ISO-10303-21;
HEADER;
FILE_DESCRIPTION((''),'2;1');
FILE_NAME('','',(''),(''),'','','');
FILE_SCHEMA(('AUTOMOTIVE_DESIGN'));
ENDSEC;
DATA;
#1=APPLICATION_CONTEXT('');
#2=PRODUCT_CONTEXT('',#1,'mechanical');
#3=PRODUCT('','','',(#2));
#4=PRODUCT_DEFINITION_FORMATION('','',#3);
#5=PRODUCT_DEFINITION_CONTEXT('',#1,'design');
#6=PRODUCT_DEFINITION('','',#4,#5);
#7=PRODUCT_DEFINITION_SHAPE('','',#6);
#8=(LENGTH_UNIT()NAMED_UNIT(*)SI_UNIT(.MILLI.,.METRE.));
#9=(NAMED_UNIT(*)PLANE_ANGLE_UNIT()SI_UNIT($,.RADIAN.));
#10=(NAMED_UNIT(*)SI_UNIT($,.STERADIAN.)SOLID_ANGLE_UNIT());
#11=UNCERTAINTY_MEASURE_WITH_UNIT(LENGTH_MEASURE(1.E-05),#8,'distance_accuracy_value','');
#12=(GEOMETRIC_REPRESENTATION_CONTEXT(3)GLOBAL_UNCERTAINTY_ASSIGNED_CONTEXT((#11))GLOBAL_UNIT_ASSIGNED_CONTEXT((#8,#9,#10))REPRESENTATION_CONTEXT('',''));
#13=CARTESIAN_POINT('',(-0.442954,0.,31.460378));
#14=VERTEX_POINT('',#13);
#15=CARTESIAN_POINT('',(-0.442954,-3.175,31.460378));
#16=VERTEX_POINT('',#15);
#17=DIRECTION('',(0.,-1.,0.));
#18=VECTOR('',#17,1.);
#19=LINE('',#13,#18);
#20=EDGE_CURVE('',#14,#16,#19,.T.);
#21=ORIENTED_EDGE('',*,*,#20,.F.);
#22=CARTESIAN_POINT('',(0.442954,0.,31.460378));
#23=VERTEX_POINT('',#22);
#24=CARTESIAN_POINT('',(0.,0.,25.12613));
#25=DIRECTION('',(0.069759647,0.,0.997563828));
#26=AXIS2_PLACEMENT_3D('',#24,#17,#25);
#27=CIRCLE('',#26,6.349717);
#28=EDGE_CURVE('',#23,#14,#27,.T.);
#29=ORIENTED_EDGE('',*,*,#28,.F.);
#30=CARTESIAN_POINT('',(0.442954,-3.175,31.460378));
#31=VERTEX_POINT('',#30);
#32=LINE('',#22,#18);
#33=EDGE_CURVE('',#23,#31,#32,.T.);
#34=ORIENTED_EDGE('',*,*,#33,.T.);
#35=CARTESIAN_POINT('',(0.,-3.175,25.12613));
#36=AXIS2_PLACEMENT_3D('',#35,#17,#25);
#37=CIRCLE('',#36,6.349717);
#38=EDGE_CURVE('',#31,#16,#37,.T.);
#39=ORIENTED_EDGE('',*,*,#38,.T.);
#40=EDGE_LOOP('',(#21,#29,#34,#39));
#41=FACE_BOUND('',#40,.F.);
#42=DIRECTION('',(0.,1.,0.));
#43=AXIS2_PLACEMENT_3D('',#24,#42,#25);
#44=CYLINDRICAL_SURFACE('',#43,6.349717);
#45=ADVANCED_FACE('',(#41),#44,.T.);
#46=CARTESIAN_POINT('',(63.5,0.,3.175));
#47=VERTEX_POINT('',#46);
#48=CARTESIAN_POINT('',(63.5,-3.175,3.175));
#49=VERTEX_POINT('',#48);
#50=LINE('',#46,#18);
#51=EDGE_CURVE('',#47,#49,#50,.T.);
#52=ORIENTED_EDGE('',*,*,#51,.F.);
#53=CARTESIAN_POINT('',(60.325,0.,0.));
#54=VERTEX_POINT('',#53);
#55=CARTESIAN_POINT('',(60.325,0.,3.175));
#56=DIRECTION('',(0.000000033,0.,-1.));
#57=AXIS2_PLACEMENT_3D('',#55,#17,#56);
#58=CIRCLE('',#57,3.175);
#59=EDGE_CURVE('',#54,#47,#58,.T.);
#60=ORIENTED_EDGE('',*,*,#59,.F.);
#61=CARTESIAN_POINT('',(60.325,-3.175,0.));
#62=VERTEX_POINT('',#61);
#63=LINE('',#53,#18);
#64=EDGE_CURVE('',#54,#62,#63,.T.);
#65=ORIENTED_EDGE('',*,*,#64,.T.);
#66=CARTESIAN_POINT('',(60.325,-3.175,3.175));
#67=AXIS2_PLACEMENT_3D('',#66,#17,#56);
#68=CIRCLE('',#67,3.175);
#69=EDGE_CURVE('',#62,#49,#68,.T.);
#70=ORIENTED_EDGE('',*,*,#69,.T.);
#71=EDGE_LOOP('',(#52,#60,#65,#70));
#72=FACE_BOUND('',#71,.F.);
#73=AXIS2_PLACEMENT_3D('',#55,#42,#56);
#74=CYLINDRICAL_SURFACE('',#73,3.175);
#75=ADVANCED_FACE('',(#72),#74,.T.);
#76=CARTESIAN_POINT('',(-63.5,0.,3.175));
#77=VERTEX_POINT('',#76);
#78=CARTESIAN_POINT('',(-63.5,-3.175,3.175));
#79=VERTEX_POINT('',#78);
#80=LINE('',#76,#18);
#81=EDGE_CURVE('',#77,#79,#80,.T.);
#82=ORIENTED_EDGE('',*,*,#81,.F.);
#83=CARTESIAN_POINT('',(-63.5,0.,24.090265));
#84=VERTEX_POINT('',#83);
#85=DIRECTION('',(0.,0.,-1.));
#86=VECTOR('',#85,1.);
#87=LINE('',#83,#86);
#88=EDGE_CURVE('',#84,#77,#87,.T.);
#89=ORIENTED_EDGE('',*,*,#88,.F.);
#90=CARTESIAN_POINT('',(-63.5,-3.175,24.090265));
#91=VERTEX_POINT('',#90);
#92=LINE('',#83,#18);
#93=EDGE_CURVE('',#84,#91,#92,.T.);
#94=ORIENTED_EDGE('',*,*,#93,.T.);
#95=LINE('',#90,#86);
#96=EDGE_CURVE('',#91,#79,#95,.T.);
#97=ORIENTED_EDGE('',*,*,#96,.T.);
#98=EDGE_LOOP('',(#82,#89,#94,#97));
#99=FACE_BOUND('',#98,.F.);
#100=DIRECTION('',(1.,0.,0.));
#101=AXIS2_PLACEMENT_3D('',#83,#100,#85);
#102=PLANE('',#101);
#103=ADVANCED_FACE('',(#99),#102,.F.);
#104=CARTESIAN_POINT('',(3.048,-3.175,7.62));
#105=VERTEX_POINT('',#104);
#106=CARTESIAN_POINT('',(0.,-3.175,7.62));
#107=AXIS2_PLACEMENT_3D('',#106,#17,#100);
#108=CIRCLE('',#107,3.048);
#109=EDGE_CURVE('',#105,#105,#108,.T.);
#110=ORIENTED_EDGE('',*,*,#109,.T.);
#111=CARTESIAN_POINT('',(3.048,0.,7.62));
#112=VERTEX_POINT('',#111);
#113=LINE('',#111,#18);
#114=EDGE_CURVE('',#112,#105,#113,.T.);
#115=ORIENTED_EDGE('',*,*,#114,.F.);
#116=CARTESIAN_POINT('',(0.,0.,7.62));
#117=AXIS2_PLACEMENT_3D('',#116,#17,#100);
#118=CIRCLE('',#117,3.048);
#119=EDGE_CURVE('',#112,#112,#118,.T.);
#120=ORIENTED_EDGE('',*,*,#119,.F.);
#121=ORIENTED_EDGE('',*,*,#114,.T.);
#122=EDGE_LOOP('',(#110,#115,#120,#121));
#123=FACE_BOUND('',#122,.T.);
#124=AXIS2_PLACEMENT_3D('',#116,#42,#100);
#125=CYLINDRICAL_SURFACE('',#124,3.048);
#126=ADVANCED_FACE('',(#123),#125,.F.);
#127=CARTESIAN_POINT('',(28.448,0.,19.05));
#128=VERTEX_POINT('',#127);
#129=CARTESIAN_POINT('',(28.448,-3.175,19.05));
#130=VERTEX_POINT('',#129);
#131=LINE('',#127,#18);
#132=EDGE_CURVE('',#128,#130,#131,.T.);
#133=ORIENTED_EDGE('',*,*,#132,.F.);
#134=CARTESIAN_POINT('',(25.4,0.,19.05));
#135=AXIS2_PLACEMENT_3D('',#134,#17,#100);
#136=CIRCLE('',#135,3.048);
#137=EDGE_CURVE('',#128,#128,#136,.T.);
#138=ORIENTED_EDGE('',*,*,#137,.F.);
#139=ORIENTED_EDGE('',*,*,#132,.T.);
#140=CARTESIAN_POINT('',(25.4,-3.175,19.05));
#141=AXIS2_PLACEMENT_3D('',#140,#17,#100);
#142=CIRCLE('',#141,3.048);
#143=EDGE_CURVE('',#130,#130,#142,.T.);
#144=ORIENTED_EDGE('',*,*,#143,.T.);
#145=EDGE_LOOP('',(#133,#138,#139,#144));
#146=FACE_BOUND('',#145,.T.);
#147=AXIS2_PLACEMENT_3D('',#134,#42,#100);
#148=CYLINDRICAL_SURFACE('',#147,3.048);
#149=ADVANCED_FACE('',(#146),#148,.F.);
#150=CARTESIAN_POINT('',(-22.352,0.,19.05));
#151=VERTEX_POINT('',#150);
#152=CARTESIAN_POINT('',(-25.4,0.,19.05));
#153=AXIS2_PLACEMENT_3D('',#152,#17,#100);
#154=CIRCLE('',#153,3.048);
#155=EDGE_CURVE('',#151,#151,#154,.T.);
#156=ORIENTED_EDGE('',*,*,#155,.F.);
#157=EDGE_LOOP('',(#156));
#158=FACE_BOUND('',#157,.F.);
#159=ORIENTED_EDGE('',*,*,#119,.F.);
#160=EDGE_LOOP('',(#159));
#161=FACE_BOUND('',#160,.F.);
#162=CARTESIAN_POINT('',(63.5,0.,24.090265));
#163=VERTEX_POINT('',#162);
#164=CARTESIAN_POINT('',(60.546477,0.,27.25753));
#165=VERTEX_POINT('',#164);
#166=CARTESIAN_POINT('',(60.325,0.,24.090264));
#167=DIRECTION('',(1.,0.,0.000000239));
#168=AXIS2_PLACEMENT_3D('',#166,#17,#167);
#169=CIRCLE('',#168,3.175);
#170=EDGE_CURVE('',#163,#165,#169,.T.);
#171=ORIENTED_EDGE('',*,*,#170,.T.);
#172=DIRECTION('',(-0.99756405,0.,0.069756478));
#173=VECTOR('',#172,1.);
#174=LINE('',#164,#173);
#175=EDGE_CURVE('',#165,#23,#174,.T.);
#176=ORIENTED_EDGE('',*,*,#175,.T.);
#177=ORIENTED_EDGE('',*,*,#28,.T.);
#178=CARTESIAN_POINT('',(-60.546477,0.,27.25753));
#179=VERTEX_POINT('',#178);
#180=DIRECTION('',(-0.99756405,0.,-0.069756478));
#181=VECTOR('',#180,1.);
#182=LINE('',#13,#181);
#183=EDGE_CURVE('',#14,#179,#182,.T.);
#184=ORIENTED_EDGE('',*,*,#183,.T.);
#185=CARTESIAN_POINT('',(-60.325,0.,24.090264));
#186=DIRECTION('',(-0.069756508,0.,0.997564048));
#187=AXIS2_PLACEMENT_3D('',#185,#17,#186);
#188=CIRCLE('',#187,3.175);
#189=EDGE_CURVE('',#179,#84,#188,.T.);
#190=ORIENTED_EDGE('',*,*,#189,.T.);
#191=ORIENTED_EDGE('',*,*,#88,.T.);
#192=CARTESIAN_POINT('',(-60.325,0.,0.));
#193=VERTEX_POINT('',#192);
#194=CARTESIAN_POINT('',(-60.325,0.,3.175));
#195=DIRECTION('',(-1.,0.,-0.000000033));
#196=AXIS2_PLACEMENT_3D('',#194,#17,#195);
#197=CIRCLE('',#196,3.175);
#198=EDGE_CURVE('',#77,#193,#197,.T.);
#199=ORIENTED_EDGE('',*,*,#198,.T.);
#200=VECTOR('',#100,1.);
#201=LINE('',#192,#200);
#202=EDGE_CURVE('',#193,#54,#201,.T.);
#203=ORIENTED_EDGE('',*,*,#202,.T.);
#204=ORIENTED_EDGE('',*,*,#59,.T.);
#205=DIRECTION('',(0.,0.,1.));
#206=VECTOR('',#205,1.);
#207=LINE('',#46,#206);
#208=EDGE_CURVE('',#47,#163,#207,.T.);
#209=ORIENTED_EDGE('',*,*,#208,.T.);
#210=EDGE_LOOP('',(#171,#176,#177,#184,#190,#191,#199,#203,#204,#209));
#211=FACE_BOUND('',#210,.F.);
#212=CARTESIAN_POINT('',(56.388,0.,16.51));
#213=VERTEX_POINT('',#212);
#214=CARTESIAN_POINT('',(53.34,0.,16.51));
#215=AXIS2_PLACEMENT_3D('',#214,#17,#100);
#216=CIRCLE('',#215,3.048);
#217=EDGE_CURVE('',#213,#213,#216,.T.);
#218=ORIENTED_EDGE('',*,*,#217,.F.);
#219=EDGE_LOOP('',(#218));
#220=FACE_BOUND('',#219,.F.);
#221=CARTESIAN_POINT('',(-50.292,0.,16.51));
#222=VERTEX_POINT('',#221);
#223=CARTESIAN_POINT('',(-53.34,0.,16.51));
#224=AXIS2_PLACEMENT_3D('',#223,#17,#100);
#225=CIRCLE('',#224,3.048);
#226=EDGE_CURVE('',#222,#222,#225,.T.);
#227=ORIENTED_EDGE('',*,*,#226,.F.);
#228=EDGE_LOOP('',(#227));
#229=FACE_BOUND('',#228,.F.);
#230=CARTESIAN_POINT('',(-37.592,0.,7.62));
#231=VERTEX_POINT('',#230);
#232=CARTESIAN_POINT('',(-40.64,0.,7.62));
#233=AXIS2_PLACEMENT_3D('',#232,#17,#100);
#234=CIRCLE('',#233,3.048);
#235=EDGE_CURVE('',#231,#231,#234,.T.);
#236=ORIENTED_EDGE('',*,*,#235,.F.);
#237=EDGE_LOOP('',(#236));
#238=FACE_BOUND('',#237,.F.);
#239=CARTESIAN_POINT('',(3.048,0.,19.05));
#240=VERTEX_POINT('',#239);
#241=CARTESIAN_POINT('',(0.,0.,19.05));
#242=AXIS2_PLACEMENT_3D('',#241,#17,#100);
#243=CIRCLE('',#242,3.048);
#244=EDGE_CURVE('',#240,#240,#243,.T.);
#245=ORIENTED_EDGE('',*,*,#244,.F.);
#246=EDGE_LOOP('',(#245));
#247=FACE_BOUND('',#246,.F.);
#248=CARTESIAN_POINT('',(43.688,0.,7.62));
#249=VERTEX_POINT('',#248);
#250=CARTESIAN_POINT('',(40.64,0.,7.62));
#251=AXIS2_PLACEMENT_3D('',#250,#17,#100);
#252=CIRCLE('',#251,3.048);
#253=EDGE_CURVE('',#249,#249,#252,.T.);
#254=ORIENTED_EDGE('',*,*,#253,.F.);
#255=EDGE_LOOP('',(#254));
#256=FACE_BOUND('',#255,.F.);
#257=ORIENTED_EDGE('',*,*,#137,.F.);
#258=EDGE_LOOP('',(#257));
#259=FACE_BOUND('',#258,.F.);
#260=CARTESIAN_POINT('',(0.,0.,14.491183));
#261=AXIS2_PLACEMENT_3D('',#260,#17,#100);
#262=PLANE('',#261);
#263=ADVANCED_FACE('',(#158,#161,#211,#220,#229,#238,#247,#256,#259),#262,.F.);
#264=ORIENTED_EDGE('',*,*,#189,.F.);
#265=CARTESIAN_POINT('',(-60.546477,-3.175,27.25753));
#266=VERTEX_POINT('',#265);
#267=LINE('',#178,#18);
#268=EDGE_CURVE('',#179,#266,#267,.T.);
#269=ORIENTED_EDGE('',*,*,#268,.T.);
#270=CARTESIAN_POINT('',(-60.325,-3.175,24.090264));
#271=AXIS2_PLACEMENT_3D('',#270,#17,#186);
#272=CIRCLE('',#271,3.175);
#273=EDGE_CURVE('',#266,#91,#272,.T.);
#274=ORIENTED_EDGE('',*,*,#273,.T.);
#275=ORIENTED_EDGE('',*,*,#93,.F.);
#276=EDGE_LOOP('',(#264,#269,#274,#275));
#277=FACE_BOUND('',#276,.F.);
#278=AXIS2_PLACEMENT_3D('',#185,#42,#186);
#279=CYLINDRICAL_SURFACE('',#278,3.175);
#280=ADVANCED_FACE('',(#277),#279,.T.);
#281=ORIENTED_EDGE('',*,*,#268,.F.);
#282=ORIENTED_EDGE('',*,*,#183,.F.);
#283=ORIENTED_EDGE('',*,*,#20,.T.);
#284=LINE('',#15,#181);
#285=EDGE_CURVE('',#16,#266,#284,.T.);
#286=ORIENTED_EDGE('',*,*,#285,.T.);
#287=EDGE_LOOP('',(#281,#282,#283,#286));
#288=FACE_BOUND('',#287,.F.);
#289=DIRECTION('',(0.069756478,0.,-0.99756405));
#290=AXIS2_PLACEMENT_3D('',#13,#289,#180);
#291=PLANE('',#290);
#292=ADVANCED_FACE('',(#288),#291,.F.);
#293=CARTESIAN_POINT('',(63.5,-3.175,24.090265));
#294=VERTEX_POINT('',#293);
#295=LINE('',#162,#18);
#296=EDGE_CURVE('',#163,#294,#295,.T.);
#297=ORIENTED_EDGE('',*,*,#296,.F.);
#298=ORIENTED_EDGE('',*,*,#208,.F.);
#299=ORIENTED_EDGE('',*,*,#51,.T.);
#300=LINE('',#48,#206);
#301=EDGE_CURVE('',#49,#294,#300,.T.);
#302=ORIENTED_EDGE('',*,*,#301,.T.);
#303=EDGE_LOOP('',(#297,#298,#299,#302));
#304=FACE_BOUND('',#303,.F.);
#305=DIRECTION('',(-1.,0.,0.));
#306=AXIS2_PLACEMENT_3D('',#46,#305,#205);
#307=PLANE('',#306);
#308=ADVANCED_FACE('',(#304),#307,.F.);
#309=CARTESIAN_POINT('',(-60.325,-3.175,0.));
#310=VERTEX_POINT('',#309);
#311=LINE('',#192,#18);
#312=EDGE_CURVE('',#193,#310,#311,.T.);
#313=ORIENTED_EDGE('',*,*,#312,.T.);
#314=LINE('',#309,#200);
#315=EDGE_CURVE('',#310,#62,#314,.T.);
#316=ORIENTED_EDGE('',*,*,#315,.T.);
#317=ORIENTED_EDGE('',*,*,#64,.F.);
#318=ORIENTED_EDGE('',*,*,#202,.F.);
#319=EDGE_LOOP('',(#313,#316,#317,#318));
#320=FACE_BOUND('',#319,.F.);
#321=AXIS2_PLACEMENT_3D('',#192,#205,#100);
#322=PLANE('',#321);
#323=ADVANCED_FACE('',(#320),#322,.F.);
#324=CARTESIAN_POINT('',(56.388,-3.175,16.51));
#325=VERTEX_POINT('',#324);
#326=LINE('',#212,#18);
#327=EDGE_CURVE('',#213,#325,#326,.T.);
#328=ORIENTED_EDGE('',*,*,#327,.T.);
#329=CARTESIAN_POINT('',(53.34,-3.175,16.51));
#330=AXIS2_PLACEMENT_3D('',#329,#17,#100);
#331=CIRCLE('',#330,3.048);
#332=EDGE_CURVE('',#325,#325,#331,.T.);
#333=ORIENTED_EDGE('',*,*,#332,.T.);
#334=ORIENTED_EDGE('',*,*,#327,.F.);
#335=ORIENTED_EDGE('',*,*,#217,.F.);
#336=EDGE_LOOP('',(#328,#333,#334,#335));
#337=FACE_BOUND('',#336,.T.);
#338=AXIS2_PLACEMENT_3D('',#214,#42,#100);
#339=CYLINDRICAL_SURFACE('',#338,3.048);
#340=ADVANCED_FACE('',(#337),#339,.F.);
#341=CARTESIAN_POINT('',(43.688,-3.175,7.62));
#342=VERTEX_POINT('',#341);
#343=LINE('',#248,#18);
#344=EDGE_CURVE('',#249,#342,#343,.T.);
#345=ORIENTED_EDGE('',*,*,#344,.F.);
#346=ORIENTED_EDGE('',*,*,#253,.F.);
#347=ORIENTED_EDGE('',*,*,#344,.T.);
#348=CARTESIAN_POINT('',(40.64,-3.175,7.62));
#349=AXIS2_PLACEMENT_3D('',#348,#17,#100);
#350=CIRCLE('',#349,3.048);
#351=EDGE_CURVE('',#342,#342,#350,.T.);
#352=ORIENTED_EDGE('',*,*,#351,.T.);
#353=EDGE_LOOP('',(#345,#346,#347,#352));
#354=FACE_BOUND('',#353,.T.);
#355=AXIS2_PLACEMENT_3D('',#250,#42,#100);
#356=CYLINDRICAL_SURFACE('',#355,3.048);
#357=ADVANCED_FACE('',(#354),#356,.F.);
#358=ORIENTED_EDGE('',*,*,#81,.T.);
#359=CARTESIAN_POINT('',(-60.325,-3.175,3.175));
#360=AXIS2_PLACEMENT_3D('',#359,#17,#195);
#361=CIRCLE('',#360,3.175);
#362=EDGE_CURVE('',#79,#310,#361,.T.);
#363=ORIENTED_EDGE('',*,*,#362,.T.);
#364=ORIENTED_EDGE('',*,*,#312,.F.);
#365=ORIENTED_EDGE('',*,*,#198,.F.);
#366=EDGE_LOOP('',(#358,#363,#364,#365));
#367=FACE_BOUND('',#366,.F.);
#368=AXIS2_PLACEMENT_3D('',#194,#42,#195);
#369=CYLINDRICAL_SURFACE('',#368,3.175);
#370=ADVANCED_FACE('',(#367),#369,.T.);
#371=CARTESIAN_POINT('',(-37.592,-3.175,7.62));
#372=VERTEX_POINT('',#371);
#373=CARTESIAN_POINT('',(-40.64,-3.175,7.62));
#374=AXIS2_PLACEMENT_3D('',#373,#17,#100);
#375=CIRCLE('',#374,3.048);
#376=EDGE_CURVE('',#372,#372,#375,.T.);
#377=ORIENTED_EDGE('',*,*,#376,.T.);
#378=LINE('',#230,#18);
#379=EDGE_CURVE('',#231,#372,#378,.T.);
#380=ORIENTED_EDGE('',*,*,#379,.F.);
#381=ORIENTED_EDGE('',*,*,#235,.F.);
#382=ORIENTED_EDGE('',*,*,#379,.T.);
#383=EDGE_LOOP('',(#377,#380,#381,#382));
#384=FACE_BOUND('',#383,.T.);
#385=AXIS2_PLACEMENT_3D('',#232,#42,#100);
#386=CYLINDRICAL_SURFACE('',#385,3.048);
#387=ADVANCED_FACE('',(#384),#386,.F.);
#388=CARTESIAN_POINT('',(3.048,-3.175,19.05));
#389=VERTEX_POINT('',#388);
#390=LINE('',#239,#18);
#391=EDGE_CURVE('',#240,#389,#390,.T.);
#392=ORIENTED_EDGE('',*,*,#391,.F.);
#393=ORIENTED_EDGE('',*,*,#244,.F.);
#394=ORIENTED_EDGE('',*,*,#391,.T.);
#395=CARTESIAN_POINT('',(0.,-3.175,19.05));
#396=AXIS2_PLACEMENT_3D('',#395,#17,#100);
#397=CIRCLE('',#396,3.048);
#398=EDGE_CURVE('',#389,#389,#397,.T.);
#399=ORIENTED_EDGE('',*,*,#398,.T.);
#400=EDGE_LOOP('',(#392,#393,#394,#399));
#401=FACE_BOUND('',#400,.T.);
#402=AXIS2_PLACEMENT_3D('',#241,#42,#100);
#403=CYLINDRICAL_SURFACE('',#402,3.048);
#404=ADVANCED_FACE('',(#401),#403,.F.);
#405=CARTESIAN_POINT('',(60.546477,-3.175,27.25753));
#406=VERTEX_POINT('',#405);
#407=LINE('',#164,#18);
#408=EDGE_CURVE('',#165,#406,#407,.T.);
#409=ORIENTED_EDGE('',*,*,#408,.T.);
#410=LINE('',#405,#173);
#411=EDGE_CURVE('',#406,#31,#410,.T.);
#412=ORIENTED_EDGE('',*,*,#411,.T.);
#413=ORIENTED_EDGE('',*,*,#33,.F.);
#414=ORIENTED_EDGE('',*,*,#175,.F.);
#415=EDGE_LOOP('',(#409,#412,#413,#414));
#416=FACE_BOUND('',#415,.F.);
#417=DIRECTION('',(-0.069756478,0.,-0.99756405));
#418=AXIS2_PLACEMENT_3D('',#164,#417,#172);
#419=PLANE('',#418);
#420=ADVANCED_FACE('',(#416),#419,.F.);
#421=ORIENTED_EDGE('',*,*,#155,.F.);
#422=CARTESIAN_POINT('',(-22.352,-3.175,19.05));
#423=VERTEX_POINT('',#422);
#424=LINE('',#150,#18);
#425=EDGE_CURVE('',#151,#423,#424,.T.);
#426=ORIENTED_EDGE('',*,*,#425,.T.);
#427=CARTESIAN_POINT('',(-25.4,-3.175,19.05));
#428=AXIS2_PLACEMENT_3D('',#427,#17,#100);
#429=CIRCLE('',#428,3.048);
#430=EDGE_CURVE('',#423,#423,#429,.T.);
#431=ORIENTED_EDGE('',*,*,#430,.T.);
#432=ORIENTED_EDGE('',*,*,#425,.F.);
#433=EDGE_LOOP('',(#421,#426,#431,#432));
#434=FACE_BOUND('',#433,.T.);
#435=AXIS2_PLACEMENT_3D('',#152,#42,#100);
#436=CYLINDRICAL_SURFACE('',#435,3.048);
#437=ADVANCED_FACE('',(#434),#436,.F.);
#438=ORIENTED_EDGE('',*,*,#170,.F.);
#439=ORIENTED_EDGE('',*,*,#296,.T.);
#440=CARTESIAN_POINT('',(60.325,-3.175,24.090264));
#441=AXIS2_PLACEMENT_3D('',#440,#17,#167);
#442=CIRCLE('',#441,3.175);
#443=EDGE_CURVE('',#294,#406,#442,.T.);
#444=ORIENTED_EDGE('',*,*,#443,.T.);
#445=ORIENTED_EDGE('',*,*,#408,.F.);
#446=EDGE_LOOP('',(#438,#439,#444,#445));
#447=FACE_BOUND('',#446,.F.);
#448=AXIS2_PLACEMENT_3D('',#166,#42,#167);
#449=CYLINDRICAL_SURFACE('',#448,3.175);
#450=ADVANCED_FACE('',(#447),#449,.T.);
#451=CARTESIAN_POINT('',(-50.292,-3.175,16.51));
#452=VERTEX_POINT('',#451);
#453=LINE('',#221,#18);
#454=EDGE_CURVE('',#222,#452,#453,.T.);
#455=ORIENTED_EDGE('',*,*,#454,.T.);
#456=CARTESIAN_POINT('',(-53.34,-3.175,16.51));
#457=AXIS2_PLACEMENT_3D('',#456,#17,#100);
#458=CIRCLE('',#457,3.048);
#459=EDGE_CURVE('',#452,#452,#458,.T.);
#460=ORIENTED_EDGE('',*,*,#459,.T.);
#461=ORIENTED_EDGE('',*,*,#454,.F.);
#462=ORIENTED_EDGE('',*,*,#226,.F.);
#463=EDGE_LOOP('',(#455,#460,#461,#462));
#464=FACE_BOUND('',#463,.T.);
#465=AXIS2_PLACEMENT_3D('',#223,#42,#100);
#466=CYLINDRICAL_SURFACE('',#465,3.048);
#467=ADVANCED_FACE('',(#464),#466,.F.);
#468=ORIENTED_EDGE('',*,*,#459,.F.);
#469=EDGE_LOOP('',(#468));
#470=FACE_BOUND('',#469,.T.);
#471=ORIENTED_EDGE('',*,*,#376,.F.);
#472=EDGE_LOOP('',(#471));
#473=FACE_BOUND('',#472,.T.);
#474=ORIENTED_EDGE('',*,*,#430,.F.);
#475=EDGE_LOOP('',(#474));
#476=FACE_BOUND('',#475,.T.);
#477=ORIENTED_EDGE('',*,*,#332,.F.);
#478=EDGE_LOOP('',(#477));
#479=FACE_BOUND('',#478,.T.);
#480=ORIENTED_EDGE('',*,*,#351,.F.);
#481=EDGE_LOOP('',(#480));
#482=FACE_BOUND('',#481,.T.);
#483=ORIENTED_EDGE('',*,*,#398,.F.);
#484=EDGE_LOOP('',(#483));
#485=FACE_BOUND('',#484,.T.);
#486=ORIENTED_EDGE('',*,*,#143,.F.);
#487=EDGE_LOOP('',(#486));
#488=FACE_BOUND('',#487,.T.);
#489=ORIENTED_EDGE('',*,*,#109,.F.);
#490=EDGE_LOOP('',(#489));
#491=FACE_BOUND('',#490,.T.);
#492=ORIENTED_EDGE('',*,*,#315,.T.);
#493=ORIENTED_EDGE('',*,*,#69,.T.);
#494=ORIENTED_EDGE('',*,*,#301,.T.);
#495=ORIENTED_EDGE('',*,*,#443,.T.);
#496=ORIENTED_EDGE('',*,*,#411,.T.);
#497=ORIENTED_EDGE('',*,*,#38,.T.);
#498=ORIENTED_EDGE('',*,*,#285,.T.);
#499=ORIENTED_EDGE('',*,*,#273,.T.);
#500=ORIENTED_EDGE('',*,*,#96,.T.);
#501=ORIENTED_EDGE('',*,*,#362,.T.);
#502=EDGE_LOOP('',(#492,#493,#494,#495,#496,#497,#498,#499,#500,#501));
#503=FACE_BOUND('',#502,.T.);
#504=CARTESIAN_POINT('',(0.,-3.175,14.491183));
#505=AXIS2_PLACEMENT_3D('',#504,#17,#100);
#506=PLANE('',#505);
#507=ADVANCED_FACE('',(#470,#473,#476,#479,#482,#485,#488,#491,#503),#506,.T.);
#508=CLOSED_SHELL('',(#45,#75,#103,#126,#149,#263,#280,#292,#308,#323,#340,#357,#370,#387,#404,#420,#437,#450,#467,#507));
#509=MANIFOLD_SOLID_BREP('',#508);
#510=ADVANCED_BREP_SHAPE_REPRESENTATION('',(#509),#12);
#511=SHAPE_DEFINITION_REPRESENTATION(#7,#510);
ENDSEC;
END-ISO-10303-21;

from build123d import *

# Parameters (mm, degrees)
F0_R     = 3.048
F1_DEPTH = 3.175


with BuildPart() as f1:
    # F0 (on Front) → F1 (new body)
    with BuildSketch(Plane.XZ):
        with BuildLine():
            ThreePointArc((-63.5, 3.175), (-62.570064, 0.929936), (-60.325, 0))
            Line((-60.325, 0), (60.325, 0))
            ThreePointArc((60.325, 0), (62.570064, 0.929936), (63.5, 3.175))
            Line((63.5, 3.175), (63.5, 24.090265))
            ThreePointArc((63.5, 24.090265), (62.647048, 26.255609), (60.546477, 27.25753))
            Line((60.546477, 27.25753), (0.442954, 31.460378))
            ThreePointArc((0.442954, 31.460378), (0, 31.475847), (-0.442954, 31.460378))
            Line((-0.442954, 31.460378), (-60.546477, 27.25753))
            ThreePointArc((-60.546477, 27.25753), (-62.647048, 26.255609), (-63.5, 24.090265))
            Line((-63.5, 24.090265), (-63.5, 3.175))
        make_face()
        with Locations((-40.64, 7.62)):
            Circle(F0_R, mode=Mode.SUBTRACT)
        with Locations((0, 7.62)):
            Circle(F0_R, mode=Mode.SUBTRACT)
        with Locations((40.64, 7.62)):
            Circle(F0_R, mode=Mode.SUBTRACT)
        with Locations((-53.34, 16.51)):
            Circle(F0_R, mode=Mode.SUBTRACT)
        with Locations((-25.4, 19.05)):
            Circle(F0_R, mode=Mode.SUBTRACT)
        with Locations((0, 19.05)):
            Circle(F0_R, mode=Mode.SUBTRACT)
        with Locations((25.4, 19.05)):
            Circle(F0_R, mode=Mode.SUBTRACT)
        with Locations((53.34, 16.51)):
            Circle(F0_R, mode=Mode.SUBTRACT)
    extrude(amount=F1_DEPTH)


solid = f1.part
